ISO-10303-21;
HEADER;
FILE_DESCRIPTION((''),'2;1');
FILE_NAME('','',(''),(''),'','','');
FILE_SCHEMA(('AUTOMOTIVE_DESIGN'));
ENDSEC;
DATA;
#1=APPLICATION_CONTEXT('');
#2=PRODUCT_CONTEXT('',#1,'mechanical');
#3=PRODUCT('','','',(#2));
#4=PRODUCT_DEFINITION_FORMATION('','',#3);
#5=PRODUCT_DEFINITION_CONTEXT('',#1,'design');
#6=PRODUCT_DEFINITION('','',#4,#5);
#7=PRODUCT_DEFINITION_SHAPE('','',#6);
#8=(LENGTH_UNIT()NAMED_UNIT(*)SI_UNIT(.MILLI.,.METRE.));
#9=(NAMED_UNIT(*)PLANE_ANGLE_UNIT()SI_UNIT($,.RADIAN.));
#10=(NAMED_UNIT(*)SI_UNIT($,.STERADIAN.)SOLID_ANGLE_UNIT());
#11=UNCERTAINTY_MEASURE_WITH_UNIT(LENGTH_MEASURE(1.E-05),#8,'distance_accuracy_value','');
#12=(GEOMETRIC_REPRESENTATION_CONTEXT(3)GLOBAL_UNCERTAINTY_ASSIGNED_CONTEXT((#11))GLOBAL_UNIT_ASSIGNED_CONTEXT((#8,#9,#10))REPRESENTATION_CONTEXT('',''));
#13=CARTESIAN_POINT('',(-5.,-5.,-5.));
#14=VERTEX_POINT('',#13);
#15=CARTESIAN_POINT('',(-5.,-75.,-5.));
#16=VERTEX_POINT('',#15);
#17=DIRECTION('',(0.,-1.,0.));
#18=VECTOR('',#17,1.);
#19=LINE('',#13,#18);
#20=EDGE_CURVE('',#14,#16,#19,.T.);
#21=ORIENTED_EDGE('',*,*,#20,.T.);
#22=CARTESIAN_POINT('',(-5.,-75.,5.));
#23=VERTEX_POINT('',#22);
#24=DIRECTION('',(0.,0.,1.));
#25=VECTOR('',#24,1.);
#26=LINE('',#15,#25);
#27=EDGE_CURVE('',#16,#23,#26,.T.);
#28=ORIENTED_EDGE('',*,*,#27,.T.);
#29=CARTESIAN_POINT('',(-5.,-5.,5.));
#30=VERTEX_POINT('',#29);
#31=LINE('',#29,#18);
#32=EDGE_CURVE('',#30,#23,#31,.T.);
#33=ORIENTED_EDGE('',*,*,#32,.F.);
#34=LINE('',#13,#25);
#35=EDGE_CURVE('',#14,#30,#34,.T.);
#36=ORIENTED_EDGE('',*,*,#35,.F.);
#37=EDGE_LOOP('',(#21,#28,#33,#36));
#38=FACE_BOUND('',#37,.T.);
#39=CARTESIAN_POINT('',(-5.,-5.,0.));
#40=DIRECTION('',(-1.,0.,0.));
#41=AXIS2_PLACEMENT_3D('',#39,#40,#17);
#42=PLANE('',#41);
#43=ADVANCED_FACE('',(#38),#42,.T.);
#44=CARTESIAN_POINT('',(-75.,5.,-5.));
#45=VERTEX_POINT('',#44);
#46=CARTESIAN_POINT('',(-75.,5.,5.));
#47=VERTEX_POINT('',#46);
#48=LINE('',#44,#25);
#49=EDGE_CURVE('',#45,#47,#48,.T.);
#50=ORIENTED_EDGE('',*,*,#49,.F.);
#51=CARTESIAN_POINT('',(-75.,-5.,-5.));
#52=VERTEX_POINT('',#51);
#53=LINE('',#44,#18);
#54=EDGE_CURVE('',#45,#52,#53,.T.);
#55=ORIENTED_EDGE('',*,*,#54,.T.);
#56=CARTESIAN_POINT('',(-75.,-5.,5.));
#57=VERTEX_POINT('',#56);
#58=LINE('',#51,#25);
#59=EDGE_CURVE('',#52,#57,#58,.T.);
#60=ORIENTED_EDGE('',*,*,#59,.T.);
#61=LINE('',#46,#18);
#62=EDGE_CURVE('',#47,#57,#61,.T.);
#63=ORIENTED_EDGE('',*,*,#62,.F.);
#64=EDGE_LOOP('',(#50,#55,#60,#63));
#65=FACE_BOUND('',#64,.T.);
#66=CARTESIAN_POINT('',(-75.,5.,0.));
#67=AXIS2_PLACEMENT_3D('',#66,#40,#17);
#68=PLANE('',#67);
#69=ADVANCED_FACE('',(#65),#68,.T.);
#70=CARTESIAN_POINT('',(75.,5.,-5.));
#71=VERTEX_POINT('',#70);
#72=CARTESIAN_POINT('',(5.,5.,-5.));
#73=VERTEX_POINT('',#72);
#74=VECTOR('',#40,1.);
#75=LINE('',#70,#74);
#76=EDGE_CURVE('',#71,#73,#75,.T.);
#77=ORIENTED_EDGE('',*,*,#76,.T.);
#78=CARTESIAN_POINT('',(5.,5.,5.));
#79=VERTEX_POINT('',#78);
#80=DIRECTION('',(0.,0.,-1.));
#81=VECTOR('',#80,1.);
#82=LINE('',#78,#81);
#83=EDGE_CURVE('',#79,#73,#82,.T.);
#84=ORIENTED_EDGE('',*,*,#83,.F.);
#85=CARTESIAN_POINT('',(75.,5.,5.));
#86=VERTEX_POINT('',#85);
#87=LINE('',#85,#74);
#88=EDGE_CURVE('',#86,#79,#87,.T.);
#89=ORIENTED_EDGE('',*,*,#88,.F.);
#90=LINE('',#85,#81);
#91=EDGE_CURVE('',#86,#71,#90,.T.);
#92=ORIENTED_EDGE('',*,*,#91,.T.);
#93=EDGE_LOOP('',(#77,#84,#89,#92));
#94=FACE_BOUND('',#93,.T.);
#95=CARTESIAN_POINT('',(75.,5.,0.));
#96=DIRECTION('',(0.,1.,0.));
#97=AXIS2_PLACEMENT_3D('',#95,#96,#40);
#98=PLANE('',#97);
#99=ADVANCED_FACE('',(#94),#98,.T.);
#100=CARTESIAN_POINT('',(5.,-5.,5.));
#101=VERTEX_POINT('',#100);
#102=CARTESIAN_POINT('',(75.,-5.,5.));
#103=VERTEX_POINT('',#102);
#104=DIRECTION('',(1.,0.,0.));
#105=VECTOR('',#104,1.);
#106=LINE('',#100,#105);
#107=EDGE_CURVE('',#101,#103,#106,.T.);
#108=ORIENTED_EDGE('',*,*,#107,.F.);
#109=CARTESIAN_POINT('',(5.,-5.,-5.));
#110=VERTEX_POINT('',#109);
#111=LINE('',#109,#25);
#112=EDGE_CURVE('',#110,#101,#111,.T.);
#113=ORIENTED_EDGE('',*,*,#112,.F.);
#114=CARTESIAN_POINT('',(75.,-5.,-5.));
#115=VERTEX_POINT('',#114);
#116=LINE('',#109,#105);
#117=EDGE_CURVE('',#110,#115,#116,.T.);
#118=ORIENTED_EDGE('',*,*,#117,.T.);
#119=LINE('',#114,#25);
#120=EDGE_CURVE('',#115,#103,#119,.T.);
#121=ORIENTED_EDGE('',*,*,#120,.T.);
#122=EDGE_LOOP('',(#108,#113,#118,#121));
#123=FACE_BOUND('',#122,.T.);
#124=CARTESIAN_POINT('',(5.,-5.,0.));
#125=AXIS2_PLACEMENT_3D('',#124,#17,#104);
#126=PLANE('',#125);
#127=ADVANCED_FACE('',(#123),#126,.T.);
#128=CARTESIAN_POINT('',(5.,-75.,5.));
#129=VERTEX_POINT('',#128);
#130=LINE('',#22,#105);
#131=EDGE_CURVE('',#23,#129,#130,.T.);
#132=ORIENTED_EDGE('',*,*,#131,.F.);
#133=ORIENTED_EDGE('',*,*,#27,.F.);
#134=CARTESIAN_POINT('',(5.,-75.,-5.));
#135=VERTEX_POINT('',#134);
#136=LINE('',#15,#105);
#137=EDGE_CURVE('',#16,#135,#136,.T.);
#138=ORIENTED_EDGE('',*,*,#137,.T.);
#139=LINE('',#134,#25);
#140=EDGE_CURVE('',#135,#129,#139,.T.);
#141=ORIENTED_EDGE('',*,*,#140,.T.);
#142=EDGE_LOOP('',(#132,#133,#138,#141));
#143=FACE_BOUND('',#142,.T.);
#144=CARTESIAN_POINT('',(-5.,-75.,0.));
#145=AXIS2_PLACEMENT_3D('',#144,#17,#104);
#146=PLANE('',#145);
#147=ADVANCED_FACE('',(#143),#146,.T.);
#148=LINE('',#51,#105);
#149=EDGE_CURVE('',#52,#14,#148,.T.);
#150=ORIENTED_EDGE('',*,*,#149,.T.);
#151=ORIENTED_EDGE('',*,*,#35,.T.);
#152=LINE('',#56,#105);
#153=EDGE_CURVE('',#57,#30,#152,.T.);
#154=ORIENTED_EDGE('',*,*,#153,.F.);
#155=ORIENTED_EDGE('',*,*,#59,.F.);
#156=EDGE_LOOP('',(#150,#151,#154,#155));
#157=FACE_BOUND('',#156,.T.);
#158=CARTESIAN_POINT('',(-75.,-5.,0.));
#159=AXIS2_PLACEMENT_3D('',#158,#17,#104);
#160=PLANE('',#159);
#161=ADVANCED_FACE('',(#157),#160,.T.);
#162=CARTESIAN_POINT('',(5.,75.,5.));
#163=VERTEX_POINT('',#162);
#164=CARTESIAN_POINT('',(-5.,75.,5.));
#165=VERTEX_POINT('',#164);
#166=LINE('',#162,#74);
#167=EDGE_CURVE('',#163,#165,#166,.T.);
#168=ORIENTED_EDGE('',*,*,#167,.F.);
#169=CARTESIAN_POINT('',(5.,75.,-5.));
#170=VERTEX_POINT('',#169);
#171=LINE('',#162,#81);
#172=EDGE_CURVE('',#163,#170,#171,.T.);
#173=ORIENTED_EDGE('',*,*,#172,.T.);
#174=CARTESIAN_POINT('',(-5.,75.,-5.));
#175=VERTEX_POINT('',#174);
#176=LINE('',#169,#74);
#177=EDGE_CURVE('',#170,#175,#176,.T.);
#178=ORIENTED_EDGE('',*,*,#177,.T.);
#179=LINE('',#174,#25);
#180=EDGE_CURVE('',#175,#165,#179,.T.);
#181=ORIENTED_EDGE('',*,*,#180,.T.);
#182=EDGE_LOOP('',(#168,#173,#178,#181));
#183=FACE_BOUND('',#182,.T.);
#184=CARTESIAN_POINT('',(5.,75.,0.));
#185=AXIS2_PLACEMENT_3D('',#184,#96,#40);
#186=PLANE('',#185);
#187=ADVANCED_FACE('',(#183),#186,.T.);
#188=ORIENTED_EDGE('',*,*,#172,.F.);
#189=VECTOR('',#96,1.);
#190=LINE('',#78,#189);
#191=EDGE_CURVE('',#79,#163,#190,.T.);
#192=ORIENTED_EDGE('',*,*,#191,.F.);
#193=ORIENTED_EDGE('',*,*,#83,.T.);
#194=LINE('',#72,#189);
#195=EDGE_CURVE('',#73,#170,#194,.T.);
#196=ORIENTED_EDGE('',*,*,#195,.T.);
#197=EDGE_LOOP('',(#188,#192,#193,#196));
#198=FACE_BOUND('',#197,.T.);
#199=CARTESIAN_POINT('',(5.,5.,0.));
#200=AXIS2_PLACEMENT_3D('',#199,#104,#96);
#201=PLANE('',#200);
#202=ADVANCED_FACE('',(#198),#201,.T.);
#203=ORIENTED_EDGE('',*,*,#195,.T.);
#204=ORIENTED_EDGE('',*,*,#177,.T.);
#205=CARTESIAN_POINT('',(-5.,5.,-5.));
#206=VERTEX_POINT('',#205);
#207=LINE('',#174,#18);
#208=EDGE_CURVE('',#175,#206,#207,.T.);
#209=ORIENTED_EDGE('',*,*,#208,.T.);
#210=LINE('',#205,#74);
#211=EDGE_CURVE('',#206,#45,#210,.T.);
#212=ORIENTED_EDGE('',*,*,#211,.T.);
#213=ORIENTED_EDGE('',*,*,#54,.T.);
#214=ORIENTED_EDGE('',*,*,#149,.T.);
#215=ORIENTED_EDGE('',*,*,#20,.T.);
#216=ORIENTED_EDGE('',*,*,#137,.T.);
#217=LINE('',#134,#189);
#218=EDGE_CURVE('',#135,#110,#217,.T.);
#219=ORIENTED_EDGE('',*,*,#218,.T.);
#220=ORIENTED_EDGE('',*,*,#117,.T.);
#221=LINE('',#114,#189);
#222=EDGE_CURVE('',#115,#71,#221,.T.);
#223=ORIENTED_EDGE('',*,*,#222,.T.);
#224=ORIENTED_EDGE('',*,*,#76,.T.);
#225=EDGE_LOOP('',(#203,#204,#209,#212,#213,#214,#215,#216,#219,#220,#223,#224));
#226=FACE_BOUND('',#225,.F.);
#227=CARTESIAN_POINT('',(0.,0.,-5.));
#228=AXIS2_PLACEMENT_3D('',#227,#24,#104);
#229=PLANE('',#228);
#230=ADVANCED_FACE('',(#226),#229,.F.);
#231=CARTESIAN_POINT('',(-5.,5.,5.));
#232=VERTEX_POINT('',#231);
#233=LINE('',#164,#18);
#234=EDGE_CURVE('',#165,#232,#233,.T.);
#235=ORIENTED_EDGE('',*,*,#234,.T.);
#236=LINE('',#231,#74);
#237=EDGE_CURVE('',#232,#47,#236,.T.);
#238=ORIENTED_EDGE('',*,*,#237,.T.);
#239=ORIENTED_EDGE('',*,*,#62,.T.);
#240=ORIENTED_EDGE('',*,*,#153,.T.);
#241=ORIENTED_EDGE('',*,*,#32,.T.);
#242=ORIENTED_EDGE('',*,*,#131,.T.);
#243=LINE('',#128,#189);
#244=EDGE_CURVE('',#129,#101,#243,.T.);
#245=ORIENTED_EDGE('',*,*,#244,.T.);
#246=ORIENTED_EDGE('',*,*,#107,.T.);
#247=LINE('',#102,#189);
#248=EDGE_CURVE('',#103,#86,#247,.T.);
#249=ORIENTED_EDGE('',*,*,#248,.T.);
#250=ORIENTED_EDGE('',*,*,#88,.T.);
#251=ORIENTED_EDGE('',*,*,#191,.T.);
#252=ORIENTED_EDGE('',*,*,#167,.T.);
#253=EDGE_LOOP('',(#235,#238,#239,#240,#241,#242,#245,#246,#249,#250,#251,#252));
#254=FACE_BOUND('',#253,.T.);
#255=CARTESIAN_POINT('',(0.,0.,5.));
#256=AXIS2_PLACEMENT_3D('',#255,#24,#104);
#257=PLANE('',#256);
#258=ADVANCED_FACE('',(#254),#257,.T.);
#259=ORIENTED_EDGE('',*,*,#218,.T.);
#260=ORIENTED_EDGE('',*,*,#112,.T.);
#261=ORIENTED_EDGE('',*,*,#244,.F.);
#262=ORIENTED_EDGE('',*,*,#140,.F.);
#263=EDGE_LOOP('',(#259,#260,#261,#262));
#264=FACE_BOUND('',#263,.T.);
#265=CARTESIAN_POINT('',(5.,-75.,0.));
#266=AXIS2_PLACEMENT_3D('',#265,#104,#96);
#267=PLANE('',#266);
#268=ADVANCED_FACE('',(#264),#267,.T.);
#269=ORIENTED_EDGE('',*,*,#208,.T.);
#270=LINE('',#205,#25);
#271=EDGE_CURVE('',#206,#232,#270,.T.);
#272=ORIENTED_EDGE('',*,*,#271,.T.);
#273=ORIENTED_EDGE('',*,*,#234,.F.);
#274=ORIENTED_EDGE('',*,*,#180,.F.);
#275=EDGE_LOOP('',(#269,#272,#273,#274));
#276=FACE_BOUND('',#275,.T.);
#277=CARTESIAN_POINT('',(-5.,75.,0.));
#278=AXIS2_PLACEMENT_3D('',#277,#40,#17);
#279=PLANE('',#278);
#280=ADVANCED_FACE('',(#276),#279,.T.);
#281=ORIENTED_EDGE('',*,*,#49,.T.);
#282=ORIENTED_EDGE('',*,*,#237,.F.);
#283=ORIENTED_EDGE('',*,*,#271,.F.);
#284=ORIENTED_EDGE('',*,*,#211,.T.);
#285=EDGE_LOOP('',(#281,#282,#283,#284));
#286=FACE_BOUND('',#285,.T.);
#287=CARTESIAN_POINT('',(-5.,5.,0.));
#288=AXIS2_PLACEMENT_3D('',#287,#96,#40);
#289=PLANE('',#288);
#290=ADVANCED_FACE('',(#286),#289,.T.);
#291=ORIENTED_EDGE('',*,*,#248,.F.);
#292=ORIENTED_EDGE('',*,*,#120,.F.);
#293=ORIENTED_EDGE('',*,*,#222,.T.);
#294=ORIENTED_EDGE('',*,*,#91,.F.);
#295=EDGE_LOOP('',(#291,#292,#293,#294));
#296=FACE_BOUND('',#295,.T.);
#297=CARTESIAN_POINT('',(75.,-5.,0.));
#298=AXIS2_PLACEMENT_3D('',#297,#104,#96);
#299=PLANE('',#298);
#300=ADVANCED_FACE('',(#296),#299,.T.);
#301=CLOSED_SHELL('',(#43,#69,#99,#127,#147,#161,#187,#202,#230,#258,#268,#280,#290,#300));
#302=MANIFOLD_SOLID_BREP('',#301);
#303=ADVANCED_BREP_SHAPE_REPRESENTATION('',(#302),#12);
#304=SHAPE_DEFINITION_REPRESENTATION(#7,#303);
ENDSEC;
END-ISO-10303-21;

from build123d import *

# Parameters (mm, degrees)
F1_DEPTH = 5


with BuildPart() as f1:
    # F0 (on Top) → F1 (new body, symmetric)
    with BuildSketch(Plane.XY):
        Polygon((5, 75), (-5, 75), (-5, 5), (-75, 5), (-75, -5), (-5, -5), (-5, -75), (5, -75), (5, -5), (75, -5), (75, 5), (5, 5), align=None)
    extrude(amount=F1_DEPTH, both=True)


solid = f1.part
